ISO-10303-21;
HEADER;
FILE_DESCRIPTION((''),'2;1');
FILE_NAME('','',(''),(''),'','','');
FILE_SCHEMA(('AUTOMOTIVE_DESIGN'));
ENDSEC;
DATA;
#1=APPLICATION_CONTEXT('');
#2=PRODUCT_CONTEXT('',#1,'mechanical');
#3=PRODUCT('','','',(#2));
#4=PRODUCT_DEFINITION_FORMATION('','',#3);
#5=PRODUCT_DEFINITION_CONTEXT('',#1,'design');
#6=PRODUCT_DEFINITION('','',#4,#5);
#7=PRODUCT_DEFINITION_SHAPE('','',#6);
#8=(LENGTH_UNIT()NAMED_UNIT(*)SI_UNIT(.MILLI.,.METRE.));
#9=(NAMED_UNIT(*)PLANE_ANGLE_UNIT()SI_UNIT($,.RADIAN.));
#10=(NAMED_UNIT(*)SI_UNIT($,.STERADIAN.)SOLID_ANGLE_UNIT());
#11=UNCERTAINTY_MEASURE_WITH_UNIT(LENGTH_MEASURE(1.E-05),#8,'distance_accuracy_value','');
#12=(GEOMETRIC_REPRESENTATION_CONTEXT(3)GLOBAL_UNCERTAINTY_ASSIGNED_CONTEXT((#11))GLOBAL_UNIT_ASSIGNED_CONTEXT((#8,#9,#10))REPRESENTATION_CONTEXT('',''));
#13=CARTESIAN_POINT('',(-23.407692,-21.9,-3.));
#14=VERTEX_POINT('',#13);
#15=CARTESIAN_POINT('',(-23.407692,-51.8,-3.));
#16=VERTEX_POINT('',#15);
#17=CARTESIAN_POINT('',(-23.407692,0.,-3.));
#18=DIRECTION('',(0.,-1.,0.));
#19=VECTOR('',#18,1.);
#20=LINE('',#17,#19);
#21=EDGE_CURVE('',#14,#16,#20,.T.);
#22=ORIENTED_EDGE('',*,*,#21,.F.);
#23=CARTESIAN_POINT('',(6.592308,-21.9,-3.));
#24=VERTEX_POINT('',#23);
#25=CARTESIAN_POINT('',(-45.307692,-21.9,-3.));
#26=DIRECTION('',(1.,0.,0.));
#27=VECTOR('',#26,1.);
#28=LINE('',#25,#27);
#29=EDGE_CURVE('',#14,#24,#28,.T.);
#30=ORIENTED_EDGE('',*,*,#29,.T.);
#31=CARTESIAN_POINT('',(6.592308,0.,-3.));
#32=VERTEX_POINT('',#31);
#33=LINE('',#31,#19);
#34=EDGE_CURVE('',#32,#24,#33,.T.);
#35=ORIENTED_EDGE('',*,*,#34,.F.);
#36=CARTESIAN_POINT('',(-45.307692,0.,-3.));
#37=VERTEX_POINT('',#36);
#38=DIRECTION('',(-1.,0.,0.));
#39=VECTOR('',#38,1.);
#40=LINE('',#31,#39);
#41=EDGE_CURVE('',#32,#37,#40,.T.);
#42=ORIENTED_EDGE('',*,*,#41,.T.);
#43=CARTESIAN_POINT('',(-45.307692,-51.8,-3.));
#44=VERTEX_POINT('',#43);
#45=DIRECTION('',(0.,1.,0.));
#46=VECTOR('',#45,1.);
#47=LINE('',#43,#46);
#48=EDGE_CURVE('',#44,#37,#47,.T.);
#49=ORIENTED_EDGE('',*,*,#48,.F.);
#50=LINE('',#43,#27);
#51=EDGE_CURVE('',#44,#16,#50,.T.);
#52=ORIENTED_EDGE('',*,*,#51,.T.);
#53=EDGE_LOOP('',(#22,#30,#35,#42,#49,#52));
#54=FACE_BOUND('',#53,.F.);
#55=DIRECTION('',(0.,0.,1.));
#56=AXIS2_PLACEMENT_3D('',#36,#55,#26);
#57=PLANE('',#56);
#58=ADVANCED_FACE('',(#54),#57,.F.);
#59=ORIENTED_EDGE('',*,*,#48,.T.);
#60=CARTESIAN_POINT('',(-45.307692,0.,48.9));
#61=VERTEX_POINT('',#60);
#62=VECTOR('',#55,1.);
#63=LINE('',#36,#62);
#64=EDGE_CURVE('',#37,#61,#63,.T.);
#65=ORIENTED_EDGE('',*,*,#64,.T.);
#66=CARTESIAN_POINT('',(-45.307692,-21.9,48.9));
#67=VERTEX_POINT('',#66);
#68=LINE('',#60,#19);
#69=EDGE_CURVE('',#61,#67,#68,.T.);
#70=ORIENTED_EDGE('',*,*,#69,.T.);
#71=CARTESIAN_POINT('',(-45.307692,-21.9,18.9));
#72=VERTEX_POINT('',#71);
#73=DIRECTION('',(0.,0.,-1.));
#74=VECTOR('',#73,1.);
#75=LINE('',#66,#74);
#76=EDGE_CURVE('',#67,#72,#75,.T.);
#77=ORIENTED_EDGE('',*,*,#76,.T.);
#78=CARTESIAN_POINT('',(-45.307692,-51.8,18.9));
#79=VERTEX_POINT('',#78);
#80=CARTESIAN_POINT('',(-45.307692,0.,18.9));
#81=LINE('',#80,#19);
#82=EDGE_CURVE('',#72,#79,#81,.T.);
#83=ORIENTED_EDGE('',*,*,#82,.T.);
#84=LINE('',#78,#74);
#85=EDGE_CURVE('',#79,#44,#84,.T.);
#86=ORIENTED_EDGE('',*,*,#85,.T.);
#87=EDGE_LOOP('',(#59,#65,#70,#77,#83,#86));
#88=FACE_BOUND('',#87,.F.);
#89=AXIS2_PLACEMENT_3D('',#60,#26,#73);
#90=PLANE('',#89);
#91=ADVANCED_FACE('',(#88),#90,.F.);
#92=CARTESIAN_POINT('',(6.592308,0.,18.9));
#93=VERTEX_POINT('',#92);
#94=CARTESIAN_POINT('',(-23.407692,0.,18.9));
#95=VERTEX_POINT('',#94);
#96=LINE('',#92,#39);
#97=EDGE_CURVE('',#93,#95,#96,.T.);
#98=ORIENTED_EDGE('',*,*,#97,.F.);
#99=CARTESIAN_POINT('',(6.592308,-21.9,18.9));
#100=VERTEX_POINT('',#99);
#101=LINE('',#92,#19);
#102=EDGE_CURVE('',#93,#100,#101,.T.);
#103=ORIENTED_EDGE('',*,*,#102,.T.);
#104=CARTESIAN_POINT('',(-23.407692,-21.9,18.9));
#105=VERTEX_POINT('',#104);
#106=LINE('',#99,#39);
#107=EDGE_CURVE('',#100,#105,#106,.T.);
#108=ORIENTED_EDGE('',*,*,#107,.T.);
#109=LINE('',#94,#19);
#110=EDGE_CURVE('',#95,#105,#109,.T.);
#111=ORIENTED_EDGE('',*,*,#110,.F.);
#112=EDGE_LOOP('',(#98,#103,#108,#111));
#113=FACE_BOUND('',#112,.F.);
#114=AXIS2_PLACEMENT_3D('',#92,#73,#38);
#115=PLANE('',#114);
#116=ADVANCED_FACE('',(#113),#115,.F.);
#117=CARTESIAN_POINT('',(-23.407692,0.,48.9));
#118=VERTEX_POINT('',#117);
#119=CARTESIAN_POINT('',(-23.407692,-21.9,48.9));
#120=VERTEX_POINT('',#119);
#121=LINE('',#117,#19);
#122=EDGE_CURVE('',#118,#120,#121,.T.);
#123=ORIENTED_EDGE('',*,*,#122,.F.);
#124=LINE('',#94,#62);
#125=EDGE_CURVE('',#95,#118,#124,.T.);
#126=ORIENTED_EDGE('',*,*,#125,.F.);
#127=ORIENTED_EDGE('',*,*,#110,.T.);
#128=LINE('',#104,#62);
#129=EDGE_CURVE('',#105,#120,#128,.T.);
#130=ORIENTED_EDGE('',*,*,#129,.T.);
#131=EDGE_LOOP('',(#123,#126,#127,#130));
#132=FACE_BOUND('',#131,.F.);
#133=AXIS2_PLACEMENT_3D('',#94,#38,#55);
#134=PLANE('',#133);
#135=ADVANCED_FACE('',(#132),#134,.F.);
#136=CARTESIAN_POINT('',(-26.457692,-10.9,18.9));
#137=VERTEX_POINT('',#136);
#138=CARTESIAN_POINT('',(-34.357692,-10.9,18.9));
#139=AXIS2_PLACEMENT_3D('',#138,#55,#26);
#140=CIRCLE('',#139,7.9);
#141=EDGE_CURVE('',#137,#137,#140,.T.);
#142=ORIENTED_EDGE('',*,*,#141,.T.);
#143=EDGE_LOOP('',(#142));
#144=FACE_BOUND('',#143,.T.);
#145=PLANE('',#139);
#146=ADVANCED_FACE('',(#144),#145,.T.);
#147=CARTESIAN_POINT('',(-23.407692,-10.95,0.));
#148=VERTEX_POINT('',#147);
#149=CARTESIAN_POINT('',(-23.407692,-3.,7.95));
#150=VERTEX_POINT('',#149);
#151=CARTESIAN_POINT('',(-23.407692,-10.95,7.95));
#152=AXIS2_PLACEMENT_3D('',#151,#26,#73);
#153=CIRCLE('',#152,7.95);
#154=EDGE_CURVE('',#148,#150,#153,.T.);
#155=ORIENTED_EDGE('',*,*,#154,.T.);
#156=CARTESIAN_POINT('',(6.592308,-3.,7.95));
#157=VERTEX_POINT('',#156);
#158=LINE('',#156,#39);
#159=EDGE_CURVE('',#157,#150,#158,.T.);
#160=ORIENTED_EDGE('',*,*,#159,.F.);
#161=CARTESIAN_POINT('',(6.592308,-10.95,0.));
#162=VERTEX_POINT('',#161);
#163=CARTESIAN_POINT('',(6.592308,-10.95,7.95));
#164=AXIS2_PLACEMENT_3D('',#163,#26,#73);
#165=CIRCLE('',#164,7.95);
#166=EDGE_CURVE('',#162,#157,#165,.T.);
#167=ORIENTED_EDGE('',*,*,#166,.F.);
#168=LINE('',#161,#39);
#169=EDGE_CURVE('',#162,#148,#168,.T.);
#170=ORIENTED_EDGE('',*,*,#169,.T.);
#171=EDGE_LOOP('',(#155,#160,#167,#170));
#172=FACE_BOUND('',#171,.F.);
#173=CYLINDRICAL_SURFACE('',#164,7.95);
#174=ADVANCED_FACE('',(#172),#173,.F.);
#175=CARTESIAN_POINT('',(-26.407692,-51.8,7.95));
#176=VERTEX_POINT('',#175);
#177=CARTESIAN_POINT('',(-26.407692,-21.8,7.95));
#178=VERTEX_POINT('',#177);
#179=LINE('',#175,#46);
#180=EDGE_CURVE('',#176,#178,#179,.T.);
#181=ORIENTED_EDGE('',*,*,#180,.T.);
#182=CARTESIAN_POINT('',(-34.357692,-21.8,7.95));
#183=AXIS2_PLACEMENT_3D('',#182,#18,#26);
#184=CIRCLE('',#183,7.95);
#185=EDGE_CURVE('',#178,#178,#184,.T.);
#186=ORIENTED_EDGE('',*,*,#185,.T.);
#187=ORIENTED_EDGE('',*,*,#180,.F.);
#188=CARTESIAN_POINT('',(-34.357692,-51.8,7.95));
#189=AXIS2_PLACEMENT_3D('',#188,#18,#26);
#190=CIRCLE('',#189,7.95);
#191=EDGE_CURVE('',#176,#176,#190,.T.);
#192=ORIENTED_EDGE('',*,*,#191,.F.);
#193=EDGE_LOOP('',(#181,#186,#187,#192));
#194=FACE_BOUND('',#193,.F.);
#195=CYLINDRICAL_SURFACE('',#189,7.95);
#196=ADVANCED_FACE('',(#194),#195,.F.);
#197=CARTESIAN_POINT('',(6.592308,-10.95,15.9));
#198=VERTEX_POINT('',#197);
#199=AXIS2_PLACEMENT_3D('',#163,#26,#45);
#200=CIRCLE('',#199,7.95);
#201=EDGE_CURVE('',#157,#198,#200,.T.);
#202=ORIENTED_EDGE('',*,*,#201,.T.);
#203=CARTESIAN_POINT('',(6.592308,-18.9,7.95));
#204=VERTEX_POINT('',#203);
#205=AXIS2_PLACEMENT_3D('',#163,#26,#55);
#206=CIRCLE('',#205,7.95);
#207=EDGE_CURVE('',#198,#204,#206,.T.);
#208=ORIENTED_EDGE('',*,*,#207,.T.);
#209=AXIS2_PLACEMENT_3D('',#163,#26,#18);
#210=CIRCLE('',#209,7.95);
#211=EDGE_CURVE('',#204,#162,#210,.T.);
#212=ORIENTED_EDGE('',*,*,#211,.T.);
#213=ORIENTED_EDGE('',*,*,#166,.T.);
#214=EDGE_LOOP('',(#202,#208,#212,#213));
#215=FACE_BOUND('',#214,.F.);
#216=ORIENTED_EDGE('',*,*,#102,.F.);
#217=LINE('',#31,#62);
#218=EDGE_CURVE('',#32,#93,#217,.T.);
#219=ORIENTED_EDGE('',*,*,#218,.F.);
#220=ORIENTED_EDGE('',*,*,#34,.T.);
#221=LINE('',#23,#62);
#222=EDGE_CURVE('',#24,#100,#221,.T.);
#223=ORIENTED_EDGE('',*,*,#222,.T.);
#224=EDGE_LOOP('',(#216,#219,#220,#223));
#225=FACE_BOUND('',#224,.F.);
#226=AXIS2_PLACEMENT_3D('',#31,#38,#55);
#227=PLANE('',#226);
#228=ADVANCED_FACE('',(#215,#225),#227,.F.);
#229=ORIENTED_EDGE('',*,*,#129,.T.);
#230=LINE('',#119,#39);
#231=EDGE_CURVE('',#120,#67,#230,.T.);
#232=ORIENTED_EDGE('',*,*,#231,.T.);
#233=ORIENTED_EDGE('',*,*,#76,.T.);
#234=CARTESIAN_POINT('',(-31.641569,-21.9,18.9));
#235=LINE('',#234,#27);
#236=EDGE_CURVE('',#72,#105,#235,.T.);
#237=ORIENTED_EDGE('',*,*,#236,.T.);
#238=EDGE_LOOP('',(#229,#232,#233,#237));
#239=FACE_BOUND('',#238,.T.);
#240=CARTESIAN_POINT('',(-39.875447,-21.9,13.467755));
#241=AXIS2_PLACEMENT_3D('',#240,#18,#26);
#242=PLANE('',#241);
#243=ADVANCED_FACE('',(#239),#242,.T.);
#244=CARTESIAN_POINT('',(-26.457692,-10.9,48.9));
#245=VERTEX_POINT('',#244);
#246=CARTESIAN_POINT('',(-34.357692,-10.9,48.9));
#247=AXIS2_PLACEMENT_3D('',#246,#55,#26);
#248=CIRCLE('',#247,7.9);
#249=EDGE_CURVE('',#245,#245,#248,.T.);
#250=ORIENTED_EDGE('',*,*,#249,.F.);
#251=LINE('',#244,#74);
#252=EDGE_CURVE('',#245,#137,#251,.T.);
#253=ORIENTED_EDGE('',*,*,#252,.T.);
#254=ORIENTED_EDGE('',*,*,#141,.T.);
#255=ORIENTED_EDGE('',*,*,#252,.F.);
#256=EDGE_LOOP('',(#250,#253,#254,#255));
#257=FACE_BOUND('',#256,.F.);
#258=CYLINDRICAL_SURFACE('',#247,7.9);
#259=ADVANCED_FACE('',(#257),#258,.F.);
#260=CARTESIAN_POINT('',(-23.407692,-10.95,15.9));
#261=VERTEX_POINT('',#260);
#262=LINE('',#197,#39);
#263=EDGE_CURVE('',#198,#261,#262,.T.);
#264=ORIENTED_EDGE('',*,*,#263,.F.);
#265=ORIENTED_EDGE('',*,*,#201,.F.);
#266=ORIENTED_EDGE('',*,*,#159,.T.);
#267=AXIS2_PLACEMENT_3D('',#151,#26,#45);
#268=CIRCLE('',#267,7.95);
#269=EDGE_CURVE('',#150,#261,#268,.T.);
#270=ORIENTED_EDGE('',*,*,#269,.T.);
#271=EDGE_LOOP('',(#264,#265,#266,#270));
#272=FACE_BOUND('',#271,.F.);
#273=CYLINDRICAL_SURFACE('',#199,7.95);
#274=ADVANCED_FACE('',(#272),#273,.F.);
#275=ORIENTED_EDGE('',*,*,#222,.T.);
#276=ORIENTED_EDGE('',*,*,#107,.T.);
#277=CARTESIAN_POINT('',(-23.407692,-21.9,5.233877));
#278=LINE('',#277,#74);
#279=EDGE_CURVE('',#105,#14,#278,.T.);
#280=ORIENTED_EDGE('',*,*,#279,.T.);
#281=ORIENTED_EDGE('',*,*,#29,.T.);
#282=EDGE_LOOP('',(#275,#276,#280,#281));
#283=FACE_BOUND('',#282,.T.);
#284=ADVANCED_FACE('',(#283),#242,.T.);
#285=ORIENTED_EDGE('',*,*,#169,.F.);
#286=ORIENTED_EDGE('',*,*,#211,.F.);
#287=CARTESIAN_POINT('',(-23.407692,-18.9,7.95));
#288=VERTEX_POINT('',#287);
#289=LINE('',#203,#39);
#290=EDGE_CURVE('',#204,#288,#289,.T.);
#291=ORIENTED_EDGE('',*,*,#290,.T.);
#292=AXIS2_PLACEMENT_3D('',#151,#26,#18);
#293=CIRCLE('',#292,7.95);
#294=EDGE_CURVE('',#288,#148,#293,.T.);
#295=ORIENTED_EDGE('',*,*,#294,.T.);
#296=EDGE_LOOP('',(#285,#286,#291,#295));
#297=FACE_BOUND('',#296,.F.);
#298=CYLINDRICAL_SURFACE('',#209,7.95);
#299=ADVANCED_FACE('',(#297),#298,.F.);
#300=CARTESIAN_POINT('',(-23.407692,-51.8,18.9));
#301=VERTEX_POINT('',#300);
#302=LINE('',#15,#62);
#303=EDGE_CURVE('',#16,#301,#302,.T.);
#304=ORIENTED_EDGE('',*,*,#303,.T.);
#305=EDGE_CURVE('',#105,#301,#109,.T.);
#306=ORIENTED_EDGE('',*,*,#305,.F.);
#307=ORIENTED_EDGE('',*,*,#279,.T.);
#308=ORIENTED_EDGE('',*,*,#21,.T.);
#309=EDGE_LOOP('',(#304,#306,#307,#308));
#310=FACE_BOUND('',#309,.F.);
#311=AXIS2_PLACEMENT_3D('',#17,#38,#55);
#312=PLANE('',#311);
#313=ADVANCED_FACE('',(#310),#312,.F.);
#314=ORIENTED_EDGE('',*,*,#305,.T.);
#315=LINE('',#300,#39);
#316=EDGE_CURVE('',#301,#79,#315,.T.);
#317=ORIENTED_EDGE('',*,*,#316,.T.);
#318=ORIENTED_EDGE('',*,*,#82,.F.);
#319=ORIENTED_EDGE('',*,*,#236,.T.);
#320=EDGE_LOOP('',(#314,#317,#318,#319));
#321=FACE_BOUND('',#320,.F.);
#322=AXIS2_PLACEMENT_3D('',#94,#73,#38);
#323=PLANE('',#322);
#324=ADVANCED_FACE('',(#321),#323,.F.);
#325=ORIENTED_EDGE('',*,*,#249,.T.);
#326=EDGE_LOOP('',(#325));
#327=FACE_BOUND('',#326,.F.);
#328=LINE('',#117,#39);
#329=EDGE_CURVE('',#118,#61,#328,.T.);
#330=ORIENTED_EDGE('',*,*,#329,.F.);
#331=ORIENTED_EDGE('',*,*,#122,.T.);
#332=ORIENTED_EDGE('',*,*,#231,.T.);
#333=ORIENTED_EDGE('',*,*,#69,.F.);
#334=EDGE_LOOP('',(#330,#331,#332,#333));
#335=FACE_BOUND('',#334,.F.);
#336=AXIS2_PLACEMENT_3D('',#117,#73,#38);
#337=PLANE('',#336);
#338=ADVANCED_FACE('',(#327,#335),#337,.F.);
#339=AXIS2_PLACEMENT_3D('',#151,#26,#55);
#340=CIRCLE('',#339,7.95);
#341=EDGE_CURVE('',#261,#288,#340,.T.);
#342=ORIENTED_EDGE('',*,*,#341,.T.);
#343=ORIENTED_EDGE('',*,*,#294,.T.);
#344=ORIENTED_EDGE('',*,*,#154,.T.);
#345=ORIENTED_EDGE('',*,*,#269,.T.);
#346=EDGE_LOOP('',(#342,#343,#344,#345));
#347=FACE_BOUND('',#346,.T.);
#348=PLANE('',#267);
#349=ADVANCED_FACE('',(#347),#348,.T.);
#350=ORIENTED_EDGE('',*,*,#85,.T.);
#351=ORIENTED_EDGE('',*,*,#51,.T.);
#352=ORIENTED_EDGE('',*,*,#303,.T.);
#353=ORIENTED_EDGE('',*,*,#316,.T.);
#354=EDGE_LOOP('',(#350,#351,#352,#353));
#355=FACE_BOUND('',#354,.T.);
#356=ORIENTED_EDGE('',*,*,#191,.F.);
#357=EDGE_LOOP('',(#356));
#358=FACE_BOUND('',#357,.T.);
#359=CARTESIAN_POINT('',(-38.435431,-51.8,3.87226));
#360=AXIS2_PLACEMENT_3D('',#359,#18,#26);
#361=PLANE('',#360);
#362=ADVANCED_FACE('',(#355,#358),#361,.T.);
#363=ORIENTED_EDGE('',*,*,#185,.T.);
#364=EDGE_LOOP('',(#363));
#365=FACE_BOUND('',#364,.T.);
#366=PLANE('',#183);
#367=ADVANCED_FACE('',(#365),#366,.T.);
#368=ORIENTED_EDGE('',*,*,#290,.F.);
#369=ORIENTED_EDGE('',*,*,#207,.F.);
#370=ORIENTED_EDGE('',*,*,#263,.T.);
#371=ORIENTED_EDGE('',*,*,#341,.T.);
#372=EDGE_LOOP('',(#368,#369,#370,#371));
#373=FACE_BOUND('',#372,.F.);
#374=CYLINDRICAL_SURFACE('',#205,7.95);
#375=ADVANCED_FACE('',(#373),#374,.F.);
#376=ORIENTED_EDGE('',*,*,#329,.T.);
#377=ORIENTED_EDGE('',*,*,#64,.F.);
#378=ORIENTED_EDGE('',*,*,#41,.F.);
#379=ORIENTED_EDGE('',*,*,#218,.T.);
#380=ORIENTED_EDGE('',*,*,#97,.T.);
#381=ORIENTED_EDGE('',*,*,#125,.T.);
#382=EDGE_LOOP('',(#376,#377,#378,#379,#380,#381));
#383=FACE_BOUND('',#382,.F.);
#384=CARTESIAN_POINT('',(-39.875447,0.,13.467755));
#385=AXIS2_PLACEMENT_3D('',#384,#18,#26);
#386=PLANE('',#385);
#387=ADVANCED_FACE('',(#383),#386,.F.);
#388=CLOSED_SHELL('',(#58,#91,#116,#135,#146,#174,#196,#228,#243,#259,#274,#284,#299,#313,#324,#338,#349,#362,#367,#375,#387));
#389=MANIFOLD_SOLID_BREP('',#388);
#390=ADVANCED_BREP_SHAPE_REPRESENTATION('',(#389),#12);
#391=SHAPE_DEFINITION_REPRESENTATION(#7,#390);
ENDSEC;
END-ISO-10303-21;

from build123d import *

# Parameters (mm, degrees)
F0_W     = 27
F0_H     = 15.9
F0_W_2   = 15.9
F0_H_2   = 27
F0_W_3   = 3
F0_H_3   = 3
F1_DEPTH = 21.9
F2_DEPTH = 51.8
F3_R     = 7.95
F6_DEPTH = 30
F7_DEPTH = 30
F4_R     = 7.9
F8_DEPTH = 30


with BuildPart() as f1:
    # F0 (on Front) → F1 (new body)
    with BuildSketch(Plane.XZ):
        with BuildLine():
            Line((-34.3576915575, 15.9), (-42.3076915575, 15.9))
            Line((-42.3076915575, 15.9), (-42.3076915575, 7.9499999931))
            ThreePointArc((-42.3076915575, 7.9499999931), (-39.9791904704, 13.571498908), (-34.3576915575, 15.9))
        make_face()
        with BuildLine():
            ThreePointArc((-34.3576915575, 15.9), (-39.9791904704, 13.571498908), (-42.3076915575, 7.9499999931))
            ThreePointArc((-42.3076915575, 7.9499999931), (-39.9791904655, 2.3285010871), (-34.3576915575, 0))
            ThreePointArc((-34.3576915575, 0), (-28.7361926471, 2.3285010896), (-26.4076915575, 7.95))
            ThreePointArc((-26.4076915575, 7.95), (-28.7361926471, 13.5714989104), (-34.3576915575, 15.9))
        make_face()
        Polygon((-42.3076915575, 18.9), (-42.3076915575, 45.9), (-26.4076915575, 45.9), (-26.4076915575, 18.9), (-23.4076915575, 18.9), (-23.4076915575, 48.9), (-45.3076915575, 48.9), (-45.3076915575, 18.9), align=None)
        with Locations((-9.9076915575, 7.95)):
            Rectangle(F0_W, F0_H)
        with Locations((-34.3576915575, 32.4)):
            Rectangle(F0_W_2, F0_H_2)
        with BuildLine():
            ThreePointArc((-34.3576915575, 0), (-39.9791904655, 2.3285010871), (-42.3076915575, 7.9499999931))
            Line((-42.3076915575, 7.9499999931), (-42.3076915575, 0))
            Line((-42.3076915575, 0), (-34.3576915575, 0))
        make_face()
        with BuildLine():
            Line((-26.4076915575, 0), (-26.4076915575, 7.95))
            ThreePointArc((-26.4076915575, 7.95), (-28.7361926471, 2.3285010896), (-34.3576915575, 0))
            Line((-34.3576915575, 0), (-26.4076915575, 0))
        make_face()
        with BuildLine():
            Line((-26.4076915575, 7.95), (-26.4076915575, 15.9))
            Line((-26.4076915575, 15.9), (-34.3576915575, 15.9))
            ThreePointArc((-34.3576915575, 15.9), (-28.7361926471, 13.5714989104), (-26.4076915575, 7.95))
        make_face()
        Polygon((6.5923084425, 18.9), (-23.4076915575, 18.9), (-23.4076915575, 15.9), (3.5923084425, 15.9), (3.5923084425, 0), (-23.4076915575, 0), (-23.4076915575, -3), (6.5923084425, -3), align=None)
        Polygon((-26.4076915575, 18.9), (-42.3076915575, 18.9), (-42.3076915575, 15.9), (-34.3576915575, 15.9), (-26.4076915575, 15.9), align=None)
        Polygon((-23.4076915575, 15.9), (-26.4076915575, 15.9), (-26.4076915575, 7.95), (-26.4076915575, 0), (-23.4076915575, 0), align=None)
        Polygon((-42.3076915575, 15.9), (-42.3076915575, 18.9), (-45.3076915575, 18.9), (-45.3076915575, -3), (-23.4076915575, -3), (-23.4076915575, 0), (-26.4076915575, 0), (-34.3576915575, 0), (-42.3076915575, 0), (-42.3076915575, 7.9499999931), align=None)
        with Locations((-24.9076915575, 17.4)):
            Rectangle(F0_W_3, F0_H_3)
    extrude(amount=F1_DEPTH)

    # F0 (on Front) → F2 (join)
    with BuildSketch(Plane.XZ):
        Polygon((-42.3076915575, 15.9), (-42.3076915575, 18.9), (-45.3076915575, 18.9), (-45.3076915575, -3), (-23.4076915575, -3), (-23.4076915575, 0), (-26.4076915575, 0), (-34.3576915575, 0), (-42.3076915575, 0), (-42.3076915575, 7.9499999931), align=None)
        with BuildLine():
            ThreePointArc((-34.3576915575, 15.9), (-39.9791904704, 13.571498908), (-42.3076915575, 7.9499999931))
            ThreePointArc((-42.3076915575, 7.9499999931), (-39.9791904655, 2.3285010871), (-34.3576915575, 0))
            ThreePointArc((-34.3576915575, 0), (-28.7361926471, 2.3285010896), (-26.4076915575, 7.95))
            ThreePointArc((-26.4076915575, 7.95), (-28.7361926471, 13.5714989104), (-34.3576915575, 15.9))
        make_face()
        Polygon((-26.4076915575, 18.9), (-42.3076915575, 18.9), (-42.3076915575, 15.9), (-34.3576915575, 15.9), (-26.4076915575, 15.9), align=None)
        Polygon((-23.4076915575, 15.9), (-26.4076915575, 15.9), (-26.4076915575, 7.95), (-26.4076915575, 0), (-23.4076915575, 0), align=None)
        with Locations((-24.9076915575, 17.4)):
            Rectangle(F0_W_3, F0_H_3)
        with BuildLine():
            Line((-26.4076915575, 7.95), (-26.4076915575, 15.9))
            Line((-26.4076915575, 15.9), (-34.3576915575, 15.9))
            ThreePointArc((-34.3576915575, 15.9), (-28.7361926471, 13.5714989104), (-26.4076915575, 7.95))
        make_face()
        with BuildLine():
            Line((-34.3576915575, 15.9), (-42.3076915575, 15.9))
            Line((-42.3076915575, 15.9), (-42.3076915575, 7.9499999931))
            ThreePointArc((-42.3076915575, 7.9499999931), (-39.9791904704, 13.571498908), (-34.3576915575, 15.9))
        make_face()
        with BuildLine():
            ThreePointArc((-34.3576915575, 0), (-39.9791904655, 2.3285010871), (-42.3076915575, 7.9499999931))
            Line((-42.3076915575, 7.9499999931), (-42.3076915575, 0))
            Line((-42.3076915575, 0), (-34.3576915575, 0))
        make_face()
        with BuildLine():
            Line((-26.4076915575, 0), (-26.4076915575, 7.95))
            ThreePointArc((-26.4076915575, 7.95), (-28.7361926471, 2.3285010896), (-34.3576915575, 0))
            Line((-34.3576915575, 0), (-26.4076915575, 0))
        make_face()
    extrude(amount=F2_DEPTH)

    # F3 (on face) → F6 (cut)
    with BuildSketch(Plane.XZ.offset(51.8)):
        with Locations((-34.3576915575, 7.95)):
            Circle(F3_R)
    extrude(amount=-F6_DEPTH, mode=Mode.SUBTRACT)

    # F5 (on face) → F7 (cut)
    with BuildSketch(Plane.YZ.offset(6.5923084425)):
        with BuildLine():
            ThreePointArc((-3, 7.95), (-5.3285010896, 13.5714989104), (-10.95, 15.9))
            ThreePointArc((-10.95, 15.9), (-16.5714989104, 13.5714989104), (-18.9, 7.95))
            ThreePointArc((-18.9, 7.95), (-16.5714989104, 2.3285010896), (-10.95, 0))
            ThreePointArc((-10.95, 0), (-5.3285010896, 2.3285010896), (-3, 7.95))
        make_face()
    extrude(amount=-F7_DEPTH, mode=Mode.SUBTRACT)

    # F4 (on face) → F8 (cut)
    with BuildSketch(Plane.XY.offset(48.9)):
        with Locations((-34.3576915575, -10.9)):
            Circle(F4_R)
    extrude(amount=-F8_DEPTH, mode=Mode.SUBTRACT)


solid = f1.part
